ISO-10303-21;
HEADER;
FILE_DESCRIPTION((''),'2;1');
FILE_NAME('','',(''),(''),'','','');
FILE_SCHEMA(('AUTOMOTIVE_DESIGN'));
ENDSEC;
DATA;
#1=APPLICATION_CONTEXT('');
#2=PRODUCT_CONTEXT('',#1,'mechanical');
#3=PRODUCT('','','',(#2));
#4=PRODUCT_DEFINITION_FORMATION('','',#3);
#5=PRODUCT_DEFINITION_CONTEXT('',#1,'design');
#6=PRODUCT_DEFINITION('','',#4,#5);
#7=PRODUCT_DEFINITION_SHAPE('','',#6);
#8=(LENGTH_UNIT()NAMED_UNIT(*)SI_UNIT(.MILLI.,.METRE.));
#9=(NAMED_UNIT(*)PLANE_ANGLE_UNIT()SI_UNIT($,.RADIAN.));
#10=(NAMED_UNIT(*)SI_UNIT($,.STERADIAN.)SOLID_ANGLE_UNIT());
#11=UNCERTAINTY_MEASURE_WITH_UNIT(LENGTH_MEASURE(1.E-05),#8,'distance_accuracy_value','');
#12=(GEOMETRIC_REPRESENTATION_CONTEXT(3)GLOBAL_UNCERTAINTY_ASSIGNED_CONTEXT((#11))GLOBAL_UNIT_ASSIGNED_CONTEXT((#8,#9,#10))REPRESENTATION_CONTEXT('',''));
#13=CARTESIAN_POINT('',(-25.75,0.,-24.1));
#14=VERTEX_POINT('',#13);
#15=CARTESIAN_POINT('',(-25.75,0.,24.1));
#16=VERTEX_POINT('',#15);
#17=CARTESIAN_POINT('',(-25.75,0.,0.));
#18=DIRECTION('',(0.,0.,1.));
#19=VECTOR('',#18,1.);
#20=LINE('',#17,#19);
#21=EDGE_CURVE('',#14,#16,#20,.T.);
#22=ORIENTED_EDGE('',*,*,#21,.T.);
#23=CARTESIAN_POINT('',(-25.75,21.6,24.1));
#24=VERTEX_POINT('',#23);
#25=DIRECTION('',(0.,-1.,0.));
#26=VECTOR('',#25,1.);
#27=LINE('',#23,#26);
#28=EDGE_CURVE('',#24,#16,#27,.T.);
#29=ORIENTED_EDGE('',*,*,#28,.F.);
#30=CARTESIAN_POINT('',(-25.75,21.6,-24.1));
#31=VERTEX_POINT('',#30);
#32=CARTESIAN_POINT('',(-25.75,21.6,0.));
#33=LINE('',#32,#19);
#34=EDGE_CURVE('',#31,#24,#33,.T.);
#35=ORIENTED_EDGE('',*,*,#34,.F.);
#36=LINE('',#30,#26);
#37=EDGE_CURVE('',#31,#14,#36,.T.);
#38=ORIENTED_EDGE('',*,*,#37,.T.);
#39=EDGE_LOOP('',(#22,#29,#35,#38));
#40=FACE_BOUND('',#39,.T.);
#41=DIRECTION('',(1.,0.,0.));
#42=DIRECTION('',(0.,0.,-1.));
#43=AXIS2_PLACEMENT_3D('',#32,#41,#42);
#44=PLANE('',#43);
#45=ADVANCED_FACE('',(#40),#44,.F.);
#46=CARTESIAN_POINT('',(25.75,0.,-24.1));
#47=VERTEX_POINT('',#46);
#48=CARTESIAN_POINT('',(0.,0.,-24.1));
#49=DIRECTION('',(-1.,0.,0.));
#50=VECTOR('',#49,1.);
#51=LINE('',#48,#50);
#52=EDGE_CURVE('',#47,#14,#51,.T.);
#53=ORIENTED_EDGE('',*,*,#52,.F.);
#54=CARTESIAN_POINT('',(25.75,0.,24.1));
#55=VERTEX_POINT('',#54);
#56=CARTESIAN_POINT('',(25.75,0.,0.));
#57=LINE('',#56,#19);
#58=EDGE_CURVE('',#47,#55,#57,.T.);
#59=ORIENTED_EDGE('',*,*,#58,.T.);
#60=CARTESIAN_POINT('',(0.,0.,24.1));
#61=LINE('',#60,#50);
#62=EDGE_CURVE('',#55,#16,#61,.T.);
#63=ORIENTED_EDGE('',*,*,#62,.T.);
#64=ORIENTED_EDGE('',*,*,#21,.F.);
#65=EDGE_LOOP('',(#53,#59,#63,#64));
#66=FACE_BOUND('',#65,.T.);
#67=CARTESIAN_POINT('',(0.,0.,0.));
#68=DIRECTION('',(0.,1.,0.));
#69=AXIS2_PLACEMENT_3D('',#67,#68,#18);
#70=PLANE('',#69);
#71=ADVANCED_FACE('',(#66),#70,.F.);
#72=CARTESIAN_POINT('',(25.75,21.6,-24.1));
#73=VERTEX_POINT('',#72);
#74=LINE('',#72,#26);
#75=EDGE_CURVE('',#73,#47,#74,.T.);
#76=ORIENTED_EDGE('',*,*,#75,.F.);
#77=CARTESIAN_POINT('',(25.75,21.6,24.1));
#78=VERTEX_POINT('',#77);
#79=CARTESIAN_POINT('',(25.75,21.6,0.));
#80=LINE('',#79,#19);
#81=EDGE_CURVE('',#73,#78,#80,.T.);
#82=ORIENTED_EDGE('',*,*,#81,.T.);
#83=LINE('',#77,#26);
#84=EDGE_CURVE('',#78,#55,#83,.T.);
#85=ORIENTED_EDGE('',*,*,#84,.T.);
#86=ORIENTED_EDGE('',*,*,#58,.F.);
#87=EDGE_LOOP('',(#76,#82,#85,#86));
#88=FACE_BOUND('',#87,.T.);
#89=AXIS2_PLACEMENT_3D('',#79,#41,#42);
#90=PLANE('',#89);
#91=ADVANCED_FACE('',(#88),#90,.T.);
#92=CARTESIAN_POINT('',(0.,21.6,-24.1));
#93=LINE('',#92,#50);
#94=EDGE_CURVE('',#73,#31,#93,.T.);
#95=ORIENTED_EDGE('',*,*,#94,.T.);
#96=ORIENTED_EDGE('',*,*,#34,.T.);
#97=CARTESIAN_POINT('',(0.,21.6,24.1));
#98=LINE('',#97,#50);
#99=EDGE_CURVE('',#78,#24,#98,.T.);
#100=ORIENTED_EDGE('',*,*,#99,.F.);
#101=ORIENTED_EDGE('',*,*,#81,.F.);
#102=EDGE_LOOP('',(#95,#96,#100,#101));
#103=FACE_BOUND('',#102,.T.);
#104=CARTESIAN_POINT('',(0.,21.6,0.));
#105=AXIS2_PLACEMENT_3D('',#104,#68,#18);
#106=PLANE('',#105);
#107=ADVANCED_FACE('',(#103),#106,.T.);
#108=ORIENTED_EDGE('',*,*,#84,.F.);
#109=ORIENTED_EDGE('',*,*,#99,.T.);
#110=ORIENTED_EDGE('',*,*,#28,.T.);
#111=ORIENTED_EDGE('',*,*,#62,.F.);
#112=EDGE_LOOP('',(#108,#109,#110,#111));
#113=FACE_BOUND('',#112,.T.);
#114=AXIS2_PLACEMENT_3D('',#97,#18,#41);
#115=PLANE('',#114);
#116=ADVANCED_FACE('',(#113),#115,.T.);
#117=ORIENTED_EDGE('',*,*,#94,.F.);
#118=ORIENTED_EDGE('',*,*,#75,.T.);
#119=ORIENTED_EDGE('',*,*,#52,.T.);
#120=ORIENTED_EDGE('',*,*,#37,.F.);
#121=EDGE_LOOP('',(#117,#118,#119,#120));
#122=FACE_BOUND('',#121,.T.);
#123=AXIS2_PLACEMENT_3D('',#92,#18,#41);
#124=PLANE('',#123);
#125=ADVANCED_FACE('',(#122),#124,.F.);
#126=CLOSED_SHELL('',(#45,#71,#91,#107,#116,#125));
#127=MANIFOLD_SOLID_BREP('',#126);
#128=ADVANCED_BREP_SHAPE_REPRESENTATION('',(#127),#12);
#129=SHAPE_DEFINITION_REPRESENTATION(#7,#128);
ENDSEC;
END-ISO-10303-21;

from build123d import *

# Parameters (mm, degrees)
SKETCH1_W           = 51.5
SKETCH1_H           = 48.2
BOSS_EXTRUDE1_DEPTH = 21.6


with BuildPart() as part:
    # Sketch1 → Boss-Extrude1 (new body)
    # profile 1 of 2: a face of its own
    with BuildSketch(Plane(origin=(0, 0, 0), x_dir=(1, 0, 0), z_dir=(0, 1, 0))):
        Rectangle(SKETCH1_W, SKETCH1_H)
        Polygon((9.95, 22.5), (24.15, 22.5), (24.15, -22.5), (-24.15, -22.5), (-24.15, 22.5), (0.95, 22.5), align=None, mode=Mode.SUBTRACT)
    # profile 2 of 2: a face of its own
    with BuildSketch(Plane(origin=(0, 0, 0), x_dir=(1, 0, 0), z_dir=(0, 1, 0))):
        Polygon((24.15, -22.5), (24.15, 22.5), (9.95, 22.5), (0.95, 22.5), (-24.15, 22.5), (-24.15, -22.5), align=None)
    extrude(amount=BOSS_EXTRUDE1_DEPTH)


solid = part.part
